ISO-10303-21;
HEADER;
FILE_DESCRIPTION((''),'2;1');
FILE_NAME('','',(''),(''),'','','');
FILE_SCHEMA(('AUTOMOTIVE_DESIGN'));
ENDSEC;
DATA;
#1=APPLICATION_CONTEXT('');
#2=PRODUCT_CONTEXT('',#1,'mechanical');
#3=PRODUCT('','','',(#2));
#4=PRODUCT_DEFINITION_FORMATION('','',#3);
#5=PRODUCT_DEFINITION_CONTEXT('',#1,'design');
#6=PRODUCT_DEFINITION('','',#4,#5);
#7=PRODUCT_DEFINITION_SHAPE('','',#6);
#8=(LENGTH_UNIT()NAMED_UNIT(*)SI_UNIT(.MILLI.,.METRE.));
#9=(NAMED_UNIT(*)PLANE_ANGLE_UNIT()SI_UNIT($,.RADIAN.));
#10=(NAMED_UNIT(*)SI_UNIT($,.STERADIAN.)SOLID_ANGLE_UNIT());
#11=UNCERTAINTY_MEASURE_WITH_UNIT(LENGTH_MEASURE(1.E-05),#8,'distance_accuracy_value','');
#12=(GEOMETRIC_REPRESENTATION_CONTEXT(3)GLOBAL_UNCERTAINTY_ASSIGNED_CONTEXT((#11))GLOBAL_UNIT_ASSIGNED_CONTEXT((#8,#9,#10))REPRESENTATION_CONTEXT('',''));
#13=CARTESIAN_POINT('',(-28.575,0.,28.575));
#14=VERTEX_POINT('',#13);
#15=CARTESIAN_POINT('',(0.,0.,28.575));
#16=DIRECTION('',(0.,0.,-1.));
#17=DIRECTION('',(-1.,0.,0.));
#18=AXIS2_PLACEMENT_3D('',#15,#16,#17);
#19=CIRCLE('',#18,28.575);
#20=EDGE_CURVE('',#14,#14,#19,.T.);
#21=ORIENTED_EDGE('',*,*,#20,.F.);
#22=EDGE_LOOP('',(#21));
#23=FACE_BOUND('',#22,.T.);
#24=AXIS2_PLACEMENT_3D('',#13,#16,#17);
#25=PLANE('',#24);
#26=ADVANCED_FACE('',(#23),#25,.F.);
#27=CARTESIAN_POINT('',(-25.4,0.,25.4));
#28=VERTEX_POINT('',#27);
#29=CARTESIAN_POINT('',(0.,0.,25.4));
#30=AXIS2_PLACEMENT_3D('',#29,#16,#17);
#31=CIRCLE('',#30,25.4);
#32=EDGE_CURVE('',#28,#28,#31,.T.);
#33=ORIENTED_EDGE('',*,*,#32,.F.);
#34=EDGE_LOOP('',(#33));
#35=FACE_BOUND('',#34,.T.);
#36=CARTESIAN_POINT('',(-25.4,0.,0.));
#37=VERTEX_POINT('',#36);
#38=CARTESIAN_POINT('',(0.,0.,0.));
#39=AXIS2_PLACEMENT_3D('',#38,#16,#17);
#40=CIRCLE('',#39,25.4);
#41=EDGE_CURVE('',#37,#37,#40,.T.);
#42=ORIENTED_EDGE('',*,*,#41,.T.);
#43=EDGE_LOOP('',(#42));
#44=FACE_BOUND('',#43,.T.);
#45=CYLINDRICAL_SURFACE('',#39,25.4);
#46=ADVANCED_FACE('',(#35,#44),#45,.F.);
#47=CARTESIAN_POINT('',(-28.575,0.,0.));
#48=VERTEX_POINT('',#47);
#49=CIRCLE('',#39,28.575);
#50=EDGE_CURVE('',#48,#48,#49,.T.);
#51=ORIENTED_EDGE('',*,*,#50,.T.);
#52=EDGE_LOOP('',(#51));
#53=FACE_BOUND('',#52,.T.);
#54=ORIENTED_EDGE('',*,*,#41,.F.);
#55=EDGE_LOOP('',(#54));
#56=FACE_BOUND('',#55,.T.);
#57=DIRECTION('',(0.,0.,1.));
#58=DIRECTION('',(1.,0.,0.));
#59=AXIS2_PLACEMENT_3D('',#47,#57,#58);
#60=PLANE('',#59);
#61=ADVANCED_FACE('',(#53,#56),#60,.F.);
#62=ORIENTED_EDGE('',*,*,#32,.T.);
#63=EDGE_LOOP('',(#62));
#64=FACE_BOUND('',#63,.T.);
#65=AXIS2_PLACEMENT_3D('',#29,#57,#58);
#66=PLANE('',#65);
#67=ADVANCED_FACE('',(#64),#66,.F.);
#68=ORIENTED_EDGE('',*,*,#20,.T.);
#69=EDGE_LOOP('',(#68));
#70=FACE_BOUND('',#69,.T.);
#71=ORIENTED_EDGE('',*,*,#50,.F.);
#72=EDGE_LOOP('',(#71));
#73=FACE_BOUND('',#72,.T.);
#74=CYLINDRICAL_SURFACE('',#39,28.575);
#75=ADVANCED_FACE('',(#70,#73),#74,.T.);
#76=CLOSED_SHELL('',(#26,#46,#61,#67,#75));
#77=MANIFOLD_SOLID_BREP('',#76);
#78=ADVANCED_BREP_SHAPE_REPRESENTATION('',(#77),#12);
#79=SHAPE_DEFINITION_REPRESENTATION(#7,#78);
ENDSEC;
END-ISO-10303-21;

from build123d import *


with BuildPart() as part:
    # Sketch3 → Revolve1 (revolve)
    with BuildSketch(Plane(origin=(0, 0, 0), x_dir=(-1, 0, 0), z_dir=(0, -1, 0))):
        Polygon((25.4, -25.4), (25.4, 0), (28.575, 0), (28.575, -25.4), (28.575, -28.575), (0, -28.575), (0, -25.4), align=None)
    revolve(axis=Axis((0, 0, 0), (0, 0, 1)))


solid = part.part
